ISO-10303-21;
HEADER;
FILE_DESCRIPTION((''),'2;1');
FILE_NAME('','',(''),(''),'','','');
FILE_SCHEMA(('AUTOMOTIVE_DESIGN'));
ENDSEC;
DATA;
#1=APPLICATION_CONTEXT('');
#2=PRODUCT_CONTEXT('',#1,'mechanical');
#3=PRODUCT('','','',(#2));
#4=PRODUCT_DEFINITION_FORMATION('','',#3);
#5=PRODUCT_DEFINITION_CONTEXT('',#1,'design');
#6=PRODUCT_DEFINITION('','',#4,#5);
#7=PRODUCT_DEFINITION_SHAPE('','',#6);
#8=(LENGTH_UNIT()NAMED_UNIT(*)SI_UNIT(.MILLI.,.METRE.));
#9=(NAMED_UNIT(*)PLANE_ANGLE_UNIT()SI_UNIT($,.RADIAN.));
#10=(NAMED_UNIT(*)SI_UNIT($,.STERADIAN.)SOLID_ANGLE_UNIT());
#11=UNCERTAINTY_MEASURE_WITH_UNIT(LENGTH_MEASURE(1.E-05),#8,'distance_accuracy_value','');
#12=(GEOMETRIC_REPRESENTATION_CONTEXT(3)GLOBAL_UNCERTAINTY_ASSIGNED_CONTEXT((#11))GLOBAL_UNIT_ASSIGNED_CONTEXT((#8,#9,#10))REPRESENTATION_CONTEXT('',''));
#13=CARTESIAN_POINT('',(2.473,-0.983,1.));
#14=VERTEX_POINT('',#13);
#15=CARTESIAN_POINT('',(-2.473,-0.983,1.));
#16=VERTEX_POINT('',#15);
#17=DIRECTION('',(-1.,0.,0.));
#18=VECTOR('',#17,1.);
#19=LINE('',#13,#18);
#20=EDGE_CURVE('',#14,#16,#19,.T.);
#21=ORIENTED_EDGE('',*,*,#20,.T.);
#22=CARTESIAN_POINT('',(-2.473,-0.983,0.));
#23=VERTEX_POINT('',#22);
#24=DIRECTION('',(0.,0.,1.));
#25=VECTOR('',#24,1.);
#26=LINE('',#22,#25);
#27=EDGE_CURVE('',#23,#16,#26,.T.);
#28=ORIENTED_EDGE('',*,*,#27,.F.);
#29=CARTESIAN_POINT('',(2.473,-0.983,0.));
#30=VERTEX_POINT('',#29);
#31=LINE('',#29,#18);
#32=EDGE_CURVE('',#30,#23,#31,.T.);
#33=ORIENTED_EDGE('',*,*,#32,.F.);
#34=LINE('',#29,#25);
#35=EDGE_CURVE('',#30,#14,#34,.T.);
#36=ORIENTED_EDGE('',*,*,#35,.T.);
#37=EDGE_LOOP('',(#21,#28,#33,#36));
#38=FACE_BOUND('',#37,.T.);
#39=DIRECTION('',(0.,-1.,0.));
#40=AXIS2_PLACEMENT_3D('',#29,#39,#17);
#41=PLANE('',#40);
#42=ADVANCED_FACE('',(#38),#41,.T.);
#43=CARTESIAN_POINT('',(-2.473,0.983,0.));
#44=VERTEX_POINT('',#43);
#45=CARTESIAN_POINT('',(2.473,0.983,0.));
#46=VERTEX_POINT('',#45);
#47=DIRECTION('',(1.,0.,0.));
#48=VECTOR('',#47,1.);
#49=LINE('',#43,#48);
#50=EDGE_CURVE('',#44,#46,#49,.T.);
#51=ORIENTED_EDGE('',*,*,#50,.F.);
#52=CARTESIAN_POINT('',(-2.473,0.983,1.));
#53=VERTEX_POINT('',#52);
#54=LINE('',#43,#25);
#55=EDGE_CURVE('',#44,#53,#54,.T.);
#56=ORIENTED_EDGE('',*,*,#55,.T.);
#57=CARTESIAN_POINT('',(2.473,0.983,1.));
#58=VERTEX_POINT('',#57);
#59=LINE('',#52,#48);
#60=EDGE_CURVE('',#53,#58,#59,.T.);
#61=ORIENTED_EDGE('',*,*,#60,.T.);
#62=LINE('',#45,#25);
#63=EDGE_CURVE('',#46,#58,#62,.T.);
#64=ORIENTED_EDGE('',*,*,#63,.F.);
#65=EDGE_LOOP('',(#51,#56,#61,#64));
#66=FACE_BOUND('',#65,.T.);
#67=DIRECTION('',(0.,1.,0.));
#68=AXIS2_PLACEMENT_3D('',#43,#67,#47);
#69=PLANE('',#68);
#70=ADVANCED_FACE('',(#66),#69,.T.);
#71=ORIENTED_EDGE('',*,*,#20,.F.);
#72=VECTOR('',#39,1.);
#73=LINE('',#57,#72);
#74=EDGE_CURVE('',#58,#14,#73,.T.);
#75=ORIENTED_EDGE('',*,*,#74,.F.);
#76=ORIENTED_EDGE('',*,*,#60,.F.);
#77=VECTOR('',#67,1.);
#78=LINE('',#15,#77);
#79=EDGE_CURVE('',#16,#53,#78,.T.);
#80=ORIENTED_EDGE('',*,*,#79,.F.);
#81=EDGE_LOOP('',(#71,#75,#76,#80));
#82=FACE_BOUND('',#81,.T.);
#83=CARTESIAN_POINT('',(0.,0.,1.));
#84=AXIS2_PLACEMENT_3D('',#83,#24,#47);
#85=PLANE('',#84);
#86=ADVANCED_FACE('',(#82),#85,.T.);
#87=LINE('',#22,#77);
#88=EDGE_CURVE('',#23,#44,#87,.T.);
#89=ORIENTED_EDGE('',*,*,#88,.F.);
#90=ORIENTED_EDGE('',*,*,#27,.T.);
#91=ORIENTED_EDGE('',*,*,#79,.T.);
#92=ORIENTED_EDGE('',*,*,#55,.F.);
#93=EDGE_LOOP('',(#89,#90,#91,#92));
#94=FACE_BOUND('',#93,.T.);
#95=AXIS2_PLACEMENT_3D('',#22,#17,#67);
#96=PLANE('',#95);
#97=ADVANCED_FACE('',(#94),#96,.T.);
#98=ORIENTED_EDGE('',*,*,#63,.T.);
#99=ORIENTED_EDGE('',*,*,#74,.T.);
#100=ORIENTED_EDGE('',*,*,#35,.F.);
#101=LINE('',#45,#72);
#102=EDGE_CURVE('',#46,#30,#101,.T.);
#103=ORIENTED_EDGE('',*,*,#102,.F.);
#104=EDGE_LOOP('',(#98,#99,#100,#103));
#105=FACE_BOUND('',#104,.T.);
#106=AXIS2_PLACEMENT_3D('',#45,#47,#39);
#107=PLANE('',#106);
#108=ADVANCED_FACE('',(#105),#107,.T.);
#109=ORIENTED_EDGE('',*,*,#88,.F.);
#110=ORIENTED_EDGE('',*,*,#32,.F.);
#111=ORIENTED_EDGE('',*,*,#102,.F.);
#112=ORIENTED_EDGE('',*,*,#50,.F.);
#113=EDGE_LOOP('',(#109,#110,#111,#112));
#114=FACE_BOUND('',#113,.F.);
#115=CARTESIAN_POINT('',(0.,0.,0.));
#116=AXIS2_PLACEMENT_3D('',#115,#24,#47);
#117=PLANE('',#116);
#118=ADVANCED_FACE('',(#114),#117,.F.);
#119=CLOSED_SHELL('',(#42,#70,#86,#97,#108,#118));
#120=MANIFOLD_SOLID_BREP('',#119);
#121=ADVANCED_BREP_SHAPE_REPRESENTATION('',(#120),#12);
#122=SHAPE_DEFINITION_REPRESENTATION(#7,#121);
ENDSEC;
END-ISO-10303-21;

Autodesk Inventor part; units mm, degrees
ref_plane "YZ Plane" through (0, 0, 0) normal (1, 0, 0) x (0, 1, 0)
ref_plane "XZ Plane" through (0, 0, 0) normal (0, 1, 0) x (-1, 0, 0)
ref_plane "XY Plane" through (0, 0, 0) normal (0, 0, 1) x (1, 0, 0)
sketch "R1206, R1206_18" plane through (0, 0, 0) normal (0, 0, 1) x (1, 0, 0)
  line L0 (-2.473, 0.983) -> (2.473, 0.983)
  line L1 (2.473, 0.983) -> (2.473, -0.983)
  line L2 (2.473, -0.983) -> (-2.473, -0.983)
  line L3 (-2.473, -0.983) -> (-2.473, 0.983)
extrude "Extrusion1" add sketch "R1206, R1206_18" along normal blind 1
properties part number "R1206"
